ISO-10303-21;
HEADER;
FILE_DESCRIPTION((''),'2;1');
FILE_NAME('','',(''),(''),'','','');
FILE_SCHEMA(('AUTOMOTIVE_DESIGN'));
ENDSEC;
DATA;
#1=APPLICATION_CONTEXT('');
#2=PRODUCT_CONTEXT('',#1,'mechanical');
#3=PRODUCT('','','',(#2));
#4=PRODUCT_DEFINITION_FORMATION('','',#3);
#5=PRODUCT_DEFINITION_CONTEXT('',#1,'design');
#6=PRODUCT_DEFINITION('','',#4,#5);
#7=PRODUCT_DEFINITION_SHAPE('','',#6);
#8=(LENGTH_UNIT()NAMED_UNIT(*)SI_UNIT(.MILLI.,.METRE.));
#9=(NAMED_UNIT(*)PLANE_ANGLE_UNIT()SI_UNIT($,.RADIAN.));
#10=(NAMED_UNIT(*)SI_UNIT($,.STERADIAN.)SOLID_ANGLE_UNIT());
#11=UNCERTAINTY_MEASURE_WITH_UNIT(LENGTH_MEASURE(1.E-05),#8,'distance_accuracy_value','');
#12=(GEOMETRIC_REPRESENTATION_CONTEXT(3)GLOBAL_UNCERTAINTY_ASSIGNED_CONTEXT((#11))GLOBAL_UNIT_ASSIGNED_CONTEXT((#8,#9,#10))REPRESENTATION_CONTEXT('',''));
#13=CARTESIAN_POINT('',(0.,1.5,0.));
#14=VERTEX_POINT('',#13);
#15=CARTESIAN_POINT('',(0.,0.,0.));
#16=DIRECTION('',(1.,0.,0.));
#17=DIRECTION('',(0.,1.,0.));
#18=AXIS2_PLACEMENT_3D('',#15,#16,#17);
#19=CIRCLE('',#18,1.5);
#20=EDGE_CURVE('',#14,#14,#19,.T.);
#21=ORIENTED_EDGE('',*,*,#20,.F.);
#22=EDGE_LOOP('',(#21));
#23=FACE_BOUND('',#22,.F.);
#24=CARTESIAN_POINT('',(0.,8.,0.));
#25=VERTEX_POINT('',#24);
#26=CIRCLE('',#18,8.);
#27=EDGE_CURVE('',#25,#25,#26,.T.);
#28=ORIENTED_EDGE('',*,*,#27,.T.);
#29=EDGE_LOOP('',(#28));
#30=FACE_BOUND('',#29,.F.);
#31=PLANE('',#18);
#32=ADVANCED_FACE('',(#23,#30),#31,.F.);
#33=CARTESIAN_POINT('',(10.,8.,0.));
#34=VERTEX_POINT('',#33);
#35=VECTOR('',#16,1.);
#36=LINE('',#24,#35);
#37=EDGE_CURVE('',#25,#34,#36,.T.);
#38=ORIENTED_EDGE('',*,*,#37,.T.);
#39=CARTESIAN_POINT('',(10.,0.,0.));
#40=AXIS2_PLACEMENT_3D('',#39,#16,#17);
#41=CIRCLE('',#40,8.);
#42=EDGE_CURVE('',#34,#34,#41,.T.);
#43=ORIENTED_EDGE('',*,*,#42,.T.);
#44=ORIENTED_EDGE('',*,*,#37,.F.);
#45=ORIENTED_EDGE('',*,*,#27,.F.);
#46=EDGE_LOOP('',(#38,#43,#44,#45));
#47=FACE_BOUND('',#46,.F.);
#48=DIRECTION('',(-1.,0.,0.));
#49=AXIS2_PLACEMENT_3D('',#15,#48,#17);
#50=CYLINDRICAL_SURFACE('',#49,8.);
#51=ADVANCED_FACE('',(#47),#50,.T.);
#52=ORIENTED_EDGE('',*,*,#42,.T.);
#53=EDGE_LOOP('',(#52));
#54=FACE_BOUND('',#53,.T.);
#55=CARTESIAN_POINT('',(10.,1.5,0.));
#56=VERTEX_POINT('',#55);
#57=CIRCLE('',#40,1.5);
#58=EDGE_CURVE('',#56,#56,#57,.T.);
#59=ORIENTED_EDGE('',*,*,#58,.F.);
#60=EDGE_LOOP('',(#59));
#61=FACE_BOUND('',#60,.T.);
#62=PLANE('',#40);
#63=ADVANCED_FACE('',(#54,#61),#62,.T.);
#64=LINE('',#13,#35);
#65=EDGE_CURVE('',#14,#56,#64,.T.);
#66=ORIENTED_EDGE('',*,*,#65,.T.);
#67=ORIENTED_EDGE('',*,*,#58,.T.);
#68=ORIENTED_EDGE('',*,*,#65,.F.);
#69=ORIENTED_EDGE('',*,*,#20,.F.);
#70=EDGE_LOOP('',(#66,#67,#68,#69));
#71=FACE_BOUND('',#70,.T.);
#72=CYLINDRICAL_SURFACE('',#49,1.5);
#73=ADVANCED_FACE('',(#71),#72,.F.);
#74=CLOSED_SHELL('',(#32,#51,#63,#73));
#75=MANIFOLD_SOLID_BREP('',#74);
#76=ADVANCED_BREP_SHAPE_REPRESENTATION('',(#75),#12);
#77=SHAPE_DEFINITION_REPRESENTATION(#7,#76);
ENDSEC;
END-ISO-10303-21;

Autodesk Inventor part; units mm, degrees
ref_plane "YZ Plane" through (0, 0, 0) normal (1, 0, 0) x (0, 1, 0)
ref_plane "XZ Plane" through (0, 0, 0) normal (0, 1, 0) x (-1, 0, 0)
ref_plane "XY Plane" through (0, 0, 0) normal (0, 0, 1) x (1, 0, 0)
sketch "草圖1" plane through (0, 0, 0) normal (1, 0, 0) x (0, 1, 0)
  circle A0 centre (0, 0) radius 8
  circle A1 centre (0, 0) radius 1.5
  dimension "d0" = 3
  dimension "d1" = 16
extrude "擠出1" add sketch "草圖1" along normal blind 10
properties part number "9. 尾輪"
